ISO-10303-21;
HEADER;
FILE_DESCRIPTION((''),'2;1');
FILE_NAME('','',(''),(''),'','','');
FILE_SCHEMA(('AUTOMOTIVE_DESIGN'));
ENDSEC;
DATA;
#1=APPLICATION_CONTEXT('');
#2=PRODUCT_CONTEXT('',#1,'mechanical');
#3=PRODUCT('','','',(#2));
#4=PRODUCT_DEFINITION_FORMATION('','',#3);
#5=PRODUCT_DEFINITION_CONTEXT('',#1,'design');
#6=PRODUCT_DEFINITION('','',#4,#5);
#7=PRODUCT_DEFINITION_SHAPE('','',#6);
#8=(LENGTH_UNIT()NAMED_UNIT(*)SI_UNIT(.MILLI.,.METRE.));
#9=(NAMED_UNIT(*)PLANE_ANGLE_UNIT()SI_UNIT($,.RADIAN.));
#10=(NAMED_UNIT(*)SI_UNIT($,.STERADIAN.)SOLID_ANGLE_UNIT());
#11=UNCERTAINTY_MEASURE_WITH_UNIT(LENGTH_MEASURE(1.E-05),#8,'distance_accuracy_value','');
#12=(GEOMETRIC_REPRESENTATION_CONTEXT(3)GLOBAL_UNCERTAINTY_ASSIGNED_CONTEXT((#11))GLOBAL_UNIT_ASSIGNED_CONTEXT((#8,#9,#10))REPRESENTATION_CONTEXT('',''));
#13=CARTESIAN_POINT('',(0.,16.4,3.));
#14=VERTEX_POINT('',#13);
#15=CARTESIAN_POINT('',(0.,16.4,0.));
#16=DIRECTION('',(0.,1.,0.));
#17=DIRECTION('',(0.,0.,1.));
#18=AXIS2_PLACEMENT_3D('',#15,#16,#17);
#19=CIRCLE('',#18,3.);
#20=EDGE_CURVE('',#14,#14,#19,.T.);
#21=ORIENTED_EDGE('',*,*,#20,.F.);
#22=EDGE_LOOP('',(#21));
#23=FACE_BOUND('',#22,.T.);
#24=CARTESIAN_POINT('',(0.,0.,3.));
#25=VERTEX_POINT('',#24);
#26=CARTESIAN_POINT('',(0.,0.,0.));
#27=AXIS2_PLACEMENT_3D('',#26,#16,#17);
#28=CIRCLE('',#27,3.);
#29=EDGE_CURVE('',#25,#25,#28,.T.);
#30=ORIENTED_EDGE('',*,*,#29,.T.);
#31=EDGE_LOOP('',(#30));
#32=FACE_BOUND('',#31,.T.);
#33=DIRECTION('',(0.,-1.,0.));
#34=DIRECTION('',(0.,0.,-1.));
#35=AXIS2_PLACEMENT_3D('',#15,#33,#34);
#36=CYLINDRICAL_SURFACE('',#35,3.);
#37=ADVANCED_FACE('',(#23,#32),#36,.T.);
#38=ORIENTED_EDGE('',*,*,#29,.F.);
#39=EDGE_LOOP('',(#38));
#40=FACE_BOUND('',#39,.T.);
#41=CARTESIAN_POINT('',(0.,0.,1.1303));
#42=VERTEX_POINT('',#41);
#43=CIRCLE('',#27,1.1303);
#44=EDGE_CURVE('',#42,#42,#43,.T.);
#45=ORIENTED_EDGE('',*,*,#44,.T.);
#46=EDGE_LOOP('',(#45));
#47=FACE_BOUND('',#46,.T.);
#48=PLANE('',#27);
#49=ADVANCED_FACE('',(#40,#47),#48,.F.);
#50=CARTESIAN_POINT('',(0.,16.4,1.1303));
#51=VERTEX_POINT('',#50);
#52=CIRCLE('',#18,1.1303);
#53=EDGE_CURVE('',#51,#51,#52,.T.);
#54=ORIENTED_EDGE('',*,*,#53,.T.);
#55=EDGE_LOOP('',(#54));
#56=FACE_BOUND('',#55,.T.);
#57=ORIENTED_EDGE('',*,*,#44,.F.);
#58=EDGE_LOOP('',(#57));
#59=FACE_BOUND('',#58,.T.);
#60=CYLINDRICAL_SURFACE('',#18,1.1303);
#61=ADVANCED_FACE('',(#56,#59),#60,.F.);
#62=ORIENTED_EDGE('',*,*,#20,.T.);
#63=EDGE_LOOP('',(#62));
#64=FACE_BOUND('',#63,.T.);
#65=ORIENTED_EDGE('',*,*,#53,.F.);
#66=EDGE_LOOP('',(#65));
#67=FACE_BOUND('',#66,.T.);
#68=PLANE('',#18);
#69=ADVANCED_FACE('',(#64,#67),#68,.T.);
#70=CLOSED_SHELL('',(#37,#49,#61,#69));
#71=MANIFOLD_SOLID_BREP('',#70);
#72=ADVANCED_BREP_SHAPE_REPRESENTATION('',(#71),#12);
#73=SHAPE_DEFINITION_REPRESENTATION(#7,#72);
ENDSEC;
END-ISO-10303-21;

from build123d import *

# Parameters (mm, degrees)
SKETCH1_R             = 3
BOSS_EXTRUDE1_DEPTH   = 16.4
F_4_40_TAPPED_HOLE1_D = 2.2606


with BuildPart() as part:
    # Sketch1 → Boss-Extrude1 (new body)
    with BuildSketch(Plane(origin=(0, 0, 0), x_dir=(1, 0, 0), z_dir=(0, 1, 0))):
        with Locations(Location((0, 0, 0), (0, 0, 270))):
            Circle(SKETCH1_R)
    extrude(amount=BOSS_EXTRUDE1_DEPTH)

    # #4-40 Tapped Hole1 (through all)
    with Locations(Plane(origin=(0, 16.4, 0), x_dir=(1, 0, 0), z_dir=(0, 1, 0))):
        with Locations((0, 0)):
            Hole(F_4_40_TAPPED_HOLE1_D / 2)


solid = part.part
